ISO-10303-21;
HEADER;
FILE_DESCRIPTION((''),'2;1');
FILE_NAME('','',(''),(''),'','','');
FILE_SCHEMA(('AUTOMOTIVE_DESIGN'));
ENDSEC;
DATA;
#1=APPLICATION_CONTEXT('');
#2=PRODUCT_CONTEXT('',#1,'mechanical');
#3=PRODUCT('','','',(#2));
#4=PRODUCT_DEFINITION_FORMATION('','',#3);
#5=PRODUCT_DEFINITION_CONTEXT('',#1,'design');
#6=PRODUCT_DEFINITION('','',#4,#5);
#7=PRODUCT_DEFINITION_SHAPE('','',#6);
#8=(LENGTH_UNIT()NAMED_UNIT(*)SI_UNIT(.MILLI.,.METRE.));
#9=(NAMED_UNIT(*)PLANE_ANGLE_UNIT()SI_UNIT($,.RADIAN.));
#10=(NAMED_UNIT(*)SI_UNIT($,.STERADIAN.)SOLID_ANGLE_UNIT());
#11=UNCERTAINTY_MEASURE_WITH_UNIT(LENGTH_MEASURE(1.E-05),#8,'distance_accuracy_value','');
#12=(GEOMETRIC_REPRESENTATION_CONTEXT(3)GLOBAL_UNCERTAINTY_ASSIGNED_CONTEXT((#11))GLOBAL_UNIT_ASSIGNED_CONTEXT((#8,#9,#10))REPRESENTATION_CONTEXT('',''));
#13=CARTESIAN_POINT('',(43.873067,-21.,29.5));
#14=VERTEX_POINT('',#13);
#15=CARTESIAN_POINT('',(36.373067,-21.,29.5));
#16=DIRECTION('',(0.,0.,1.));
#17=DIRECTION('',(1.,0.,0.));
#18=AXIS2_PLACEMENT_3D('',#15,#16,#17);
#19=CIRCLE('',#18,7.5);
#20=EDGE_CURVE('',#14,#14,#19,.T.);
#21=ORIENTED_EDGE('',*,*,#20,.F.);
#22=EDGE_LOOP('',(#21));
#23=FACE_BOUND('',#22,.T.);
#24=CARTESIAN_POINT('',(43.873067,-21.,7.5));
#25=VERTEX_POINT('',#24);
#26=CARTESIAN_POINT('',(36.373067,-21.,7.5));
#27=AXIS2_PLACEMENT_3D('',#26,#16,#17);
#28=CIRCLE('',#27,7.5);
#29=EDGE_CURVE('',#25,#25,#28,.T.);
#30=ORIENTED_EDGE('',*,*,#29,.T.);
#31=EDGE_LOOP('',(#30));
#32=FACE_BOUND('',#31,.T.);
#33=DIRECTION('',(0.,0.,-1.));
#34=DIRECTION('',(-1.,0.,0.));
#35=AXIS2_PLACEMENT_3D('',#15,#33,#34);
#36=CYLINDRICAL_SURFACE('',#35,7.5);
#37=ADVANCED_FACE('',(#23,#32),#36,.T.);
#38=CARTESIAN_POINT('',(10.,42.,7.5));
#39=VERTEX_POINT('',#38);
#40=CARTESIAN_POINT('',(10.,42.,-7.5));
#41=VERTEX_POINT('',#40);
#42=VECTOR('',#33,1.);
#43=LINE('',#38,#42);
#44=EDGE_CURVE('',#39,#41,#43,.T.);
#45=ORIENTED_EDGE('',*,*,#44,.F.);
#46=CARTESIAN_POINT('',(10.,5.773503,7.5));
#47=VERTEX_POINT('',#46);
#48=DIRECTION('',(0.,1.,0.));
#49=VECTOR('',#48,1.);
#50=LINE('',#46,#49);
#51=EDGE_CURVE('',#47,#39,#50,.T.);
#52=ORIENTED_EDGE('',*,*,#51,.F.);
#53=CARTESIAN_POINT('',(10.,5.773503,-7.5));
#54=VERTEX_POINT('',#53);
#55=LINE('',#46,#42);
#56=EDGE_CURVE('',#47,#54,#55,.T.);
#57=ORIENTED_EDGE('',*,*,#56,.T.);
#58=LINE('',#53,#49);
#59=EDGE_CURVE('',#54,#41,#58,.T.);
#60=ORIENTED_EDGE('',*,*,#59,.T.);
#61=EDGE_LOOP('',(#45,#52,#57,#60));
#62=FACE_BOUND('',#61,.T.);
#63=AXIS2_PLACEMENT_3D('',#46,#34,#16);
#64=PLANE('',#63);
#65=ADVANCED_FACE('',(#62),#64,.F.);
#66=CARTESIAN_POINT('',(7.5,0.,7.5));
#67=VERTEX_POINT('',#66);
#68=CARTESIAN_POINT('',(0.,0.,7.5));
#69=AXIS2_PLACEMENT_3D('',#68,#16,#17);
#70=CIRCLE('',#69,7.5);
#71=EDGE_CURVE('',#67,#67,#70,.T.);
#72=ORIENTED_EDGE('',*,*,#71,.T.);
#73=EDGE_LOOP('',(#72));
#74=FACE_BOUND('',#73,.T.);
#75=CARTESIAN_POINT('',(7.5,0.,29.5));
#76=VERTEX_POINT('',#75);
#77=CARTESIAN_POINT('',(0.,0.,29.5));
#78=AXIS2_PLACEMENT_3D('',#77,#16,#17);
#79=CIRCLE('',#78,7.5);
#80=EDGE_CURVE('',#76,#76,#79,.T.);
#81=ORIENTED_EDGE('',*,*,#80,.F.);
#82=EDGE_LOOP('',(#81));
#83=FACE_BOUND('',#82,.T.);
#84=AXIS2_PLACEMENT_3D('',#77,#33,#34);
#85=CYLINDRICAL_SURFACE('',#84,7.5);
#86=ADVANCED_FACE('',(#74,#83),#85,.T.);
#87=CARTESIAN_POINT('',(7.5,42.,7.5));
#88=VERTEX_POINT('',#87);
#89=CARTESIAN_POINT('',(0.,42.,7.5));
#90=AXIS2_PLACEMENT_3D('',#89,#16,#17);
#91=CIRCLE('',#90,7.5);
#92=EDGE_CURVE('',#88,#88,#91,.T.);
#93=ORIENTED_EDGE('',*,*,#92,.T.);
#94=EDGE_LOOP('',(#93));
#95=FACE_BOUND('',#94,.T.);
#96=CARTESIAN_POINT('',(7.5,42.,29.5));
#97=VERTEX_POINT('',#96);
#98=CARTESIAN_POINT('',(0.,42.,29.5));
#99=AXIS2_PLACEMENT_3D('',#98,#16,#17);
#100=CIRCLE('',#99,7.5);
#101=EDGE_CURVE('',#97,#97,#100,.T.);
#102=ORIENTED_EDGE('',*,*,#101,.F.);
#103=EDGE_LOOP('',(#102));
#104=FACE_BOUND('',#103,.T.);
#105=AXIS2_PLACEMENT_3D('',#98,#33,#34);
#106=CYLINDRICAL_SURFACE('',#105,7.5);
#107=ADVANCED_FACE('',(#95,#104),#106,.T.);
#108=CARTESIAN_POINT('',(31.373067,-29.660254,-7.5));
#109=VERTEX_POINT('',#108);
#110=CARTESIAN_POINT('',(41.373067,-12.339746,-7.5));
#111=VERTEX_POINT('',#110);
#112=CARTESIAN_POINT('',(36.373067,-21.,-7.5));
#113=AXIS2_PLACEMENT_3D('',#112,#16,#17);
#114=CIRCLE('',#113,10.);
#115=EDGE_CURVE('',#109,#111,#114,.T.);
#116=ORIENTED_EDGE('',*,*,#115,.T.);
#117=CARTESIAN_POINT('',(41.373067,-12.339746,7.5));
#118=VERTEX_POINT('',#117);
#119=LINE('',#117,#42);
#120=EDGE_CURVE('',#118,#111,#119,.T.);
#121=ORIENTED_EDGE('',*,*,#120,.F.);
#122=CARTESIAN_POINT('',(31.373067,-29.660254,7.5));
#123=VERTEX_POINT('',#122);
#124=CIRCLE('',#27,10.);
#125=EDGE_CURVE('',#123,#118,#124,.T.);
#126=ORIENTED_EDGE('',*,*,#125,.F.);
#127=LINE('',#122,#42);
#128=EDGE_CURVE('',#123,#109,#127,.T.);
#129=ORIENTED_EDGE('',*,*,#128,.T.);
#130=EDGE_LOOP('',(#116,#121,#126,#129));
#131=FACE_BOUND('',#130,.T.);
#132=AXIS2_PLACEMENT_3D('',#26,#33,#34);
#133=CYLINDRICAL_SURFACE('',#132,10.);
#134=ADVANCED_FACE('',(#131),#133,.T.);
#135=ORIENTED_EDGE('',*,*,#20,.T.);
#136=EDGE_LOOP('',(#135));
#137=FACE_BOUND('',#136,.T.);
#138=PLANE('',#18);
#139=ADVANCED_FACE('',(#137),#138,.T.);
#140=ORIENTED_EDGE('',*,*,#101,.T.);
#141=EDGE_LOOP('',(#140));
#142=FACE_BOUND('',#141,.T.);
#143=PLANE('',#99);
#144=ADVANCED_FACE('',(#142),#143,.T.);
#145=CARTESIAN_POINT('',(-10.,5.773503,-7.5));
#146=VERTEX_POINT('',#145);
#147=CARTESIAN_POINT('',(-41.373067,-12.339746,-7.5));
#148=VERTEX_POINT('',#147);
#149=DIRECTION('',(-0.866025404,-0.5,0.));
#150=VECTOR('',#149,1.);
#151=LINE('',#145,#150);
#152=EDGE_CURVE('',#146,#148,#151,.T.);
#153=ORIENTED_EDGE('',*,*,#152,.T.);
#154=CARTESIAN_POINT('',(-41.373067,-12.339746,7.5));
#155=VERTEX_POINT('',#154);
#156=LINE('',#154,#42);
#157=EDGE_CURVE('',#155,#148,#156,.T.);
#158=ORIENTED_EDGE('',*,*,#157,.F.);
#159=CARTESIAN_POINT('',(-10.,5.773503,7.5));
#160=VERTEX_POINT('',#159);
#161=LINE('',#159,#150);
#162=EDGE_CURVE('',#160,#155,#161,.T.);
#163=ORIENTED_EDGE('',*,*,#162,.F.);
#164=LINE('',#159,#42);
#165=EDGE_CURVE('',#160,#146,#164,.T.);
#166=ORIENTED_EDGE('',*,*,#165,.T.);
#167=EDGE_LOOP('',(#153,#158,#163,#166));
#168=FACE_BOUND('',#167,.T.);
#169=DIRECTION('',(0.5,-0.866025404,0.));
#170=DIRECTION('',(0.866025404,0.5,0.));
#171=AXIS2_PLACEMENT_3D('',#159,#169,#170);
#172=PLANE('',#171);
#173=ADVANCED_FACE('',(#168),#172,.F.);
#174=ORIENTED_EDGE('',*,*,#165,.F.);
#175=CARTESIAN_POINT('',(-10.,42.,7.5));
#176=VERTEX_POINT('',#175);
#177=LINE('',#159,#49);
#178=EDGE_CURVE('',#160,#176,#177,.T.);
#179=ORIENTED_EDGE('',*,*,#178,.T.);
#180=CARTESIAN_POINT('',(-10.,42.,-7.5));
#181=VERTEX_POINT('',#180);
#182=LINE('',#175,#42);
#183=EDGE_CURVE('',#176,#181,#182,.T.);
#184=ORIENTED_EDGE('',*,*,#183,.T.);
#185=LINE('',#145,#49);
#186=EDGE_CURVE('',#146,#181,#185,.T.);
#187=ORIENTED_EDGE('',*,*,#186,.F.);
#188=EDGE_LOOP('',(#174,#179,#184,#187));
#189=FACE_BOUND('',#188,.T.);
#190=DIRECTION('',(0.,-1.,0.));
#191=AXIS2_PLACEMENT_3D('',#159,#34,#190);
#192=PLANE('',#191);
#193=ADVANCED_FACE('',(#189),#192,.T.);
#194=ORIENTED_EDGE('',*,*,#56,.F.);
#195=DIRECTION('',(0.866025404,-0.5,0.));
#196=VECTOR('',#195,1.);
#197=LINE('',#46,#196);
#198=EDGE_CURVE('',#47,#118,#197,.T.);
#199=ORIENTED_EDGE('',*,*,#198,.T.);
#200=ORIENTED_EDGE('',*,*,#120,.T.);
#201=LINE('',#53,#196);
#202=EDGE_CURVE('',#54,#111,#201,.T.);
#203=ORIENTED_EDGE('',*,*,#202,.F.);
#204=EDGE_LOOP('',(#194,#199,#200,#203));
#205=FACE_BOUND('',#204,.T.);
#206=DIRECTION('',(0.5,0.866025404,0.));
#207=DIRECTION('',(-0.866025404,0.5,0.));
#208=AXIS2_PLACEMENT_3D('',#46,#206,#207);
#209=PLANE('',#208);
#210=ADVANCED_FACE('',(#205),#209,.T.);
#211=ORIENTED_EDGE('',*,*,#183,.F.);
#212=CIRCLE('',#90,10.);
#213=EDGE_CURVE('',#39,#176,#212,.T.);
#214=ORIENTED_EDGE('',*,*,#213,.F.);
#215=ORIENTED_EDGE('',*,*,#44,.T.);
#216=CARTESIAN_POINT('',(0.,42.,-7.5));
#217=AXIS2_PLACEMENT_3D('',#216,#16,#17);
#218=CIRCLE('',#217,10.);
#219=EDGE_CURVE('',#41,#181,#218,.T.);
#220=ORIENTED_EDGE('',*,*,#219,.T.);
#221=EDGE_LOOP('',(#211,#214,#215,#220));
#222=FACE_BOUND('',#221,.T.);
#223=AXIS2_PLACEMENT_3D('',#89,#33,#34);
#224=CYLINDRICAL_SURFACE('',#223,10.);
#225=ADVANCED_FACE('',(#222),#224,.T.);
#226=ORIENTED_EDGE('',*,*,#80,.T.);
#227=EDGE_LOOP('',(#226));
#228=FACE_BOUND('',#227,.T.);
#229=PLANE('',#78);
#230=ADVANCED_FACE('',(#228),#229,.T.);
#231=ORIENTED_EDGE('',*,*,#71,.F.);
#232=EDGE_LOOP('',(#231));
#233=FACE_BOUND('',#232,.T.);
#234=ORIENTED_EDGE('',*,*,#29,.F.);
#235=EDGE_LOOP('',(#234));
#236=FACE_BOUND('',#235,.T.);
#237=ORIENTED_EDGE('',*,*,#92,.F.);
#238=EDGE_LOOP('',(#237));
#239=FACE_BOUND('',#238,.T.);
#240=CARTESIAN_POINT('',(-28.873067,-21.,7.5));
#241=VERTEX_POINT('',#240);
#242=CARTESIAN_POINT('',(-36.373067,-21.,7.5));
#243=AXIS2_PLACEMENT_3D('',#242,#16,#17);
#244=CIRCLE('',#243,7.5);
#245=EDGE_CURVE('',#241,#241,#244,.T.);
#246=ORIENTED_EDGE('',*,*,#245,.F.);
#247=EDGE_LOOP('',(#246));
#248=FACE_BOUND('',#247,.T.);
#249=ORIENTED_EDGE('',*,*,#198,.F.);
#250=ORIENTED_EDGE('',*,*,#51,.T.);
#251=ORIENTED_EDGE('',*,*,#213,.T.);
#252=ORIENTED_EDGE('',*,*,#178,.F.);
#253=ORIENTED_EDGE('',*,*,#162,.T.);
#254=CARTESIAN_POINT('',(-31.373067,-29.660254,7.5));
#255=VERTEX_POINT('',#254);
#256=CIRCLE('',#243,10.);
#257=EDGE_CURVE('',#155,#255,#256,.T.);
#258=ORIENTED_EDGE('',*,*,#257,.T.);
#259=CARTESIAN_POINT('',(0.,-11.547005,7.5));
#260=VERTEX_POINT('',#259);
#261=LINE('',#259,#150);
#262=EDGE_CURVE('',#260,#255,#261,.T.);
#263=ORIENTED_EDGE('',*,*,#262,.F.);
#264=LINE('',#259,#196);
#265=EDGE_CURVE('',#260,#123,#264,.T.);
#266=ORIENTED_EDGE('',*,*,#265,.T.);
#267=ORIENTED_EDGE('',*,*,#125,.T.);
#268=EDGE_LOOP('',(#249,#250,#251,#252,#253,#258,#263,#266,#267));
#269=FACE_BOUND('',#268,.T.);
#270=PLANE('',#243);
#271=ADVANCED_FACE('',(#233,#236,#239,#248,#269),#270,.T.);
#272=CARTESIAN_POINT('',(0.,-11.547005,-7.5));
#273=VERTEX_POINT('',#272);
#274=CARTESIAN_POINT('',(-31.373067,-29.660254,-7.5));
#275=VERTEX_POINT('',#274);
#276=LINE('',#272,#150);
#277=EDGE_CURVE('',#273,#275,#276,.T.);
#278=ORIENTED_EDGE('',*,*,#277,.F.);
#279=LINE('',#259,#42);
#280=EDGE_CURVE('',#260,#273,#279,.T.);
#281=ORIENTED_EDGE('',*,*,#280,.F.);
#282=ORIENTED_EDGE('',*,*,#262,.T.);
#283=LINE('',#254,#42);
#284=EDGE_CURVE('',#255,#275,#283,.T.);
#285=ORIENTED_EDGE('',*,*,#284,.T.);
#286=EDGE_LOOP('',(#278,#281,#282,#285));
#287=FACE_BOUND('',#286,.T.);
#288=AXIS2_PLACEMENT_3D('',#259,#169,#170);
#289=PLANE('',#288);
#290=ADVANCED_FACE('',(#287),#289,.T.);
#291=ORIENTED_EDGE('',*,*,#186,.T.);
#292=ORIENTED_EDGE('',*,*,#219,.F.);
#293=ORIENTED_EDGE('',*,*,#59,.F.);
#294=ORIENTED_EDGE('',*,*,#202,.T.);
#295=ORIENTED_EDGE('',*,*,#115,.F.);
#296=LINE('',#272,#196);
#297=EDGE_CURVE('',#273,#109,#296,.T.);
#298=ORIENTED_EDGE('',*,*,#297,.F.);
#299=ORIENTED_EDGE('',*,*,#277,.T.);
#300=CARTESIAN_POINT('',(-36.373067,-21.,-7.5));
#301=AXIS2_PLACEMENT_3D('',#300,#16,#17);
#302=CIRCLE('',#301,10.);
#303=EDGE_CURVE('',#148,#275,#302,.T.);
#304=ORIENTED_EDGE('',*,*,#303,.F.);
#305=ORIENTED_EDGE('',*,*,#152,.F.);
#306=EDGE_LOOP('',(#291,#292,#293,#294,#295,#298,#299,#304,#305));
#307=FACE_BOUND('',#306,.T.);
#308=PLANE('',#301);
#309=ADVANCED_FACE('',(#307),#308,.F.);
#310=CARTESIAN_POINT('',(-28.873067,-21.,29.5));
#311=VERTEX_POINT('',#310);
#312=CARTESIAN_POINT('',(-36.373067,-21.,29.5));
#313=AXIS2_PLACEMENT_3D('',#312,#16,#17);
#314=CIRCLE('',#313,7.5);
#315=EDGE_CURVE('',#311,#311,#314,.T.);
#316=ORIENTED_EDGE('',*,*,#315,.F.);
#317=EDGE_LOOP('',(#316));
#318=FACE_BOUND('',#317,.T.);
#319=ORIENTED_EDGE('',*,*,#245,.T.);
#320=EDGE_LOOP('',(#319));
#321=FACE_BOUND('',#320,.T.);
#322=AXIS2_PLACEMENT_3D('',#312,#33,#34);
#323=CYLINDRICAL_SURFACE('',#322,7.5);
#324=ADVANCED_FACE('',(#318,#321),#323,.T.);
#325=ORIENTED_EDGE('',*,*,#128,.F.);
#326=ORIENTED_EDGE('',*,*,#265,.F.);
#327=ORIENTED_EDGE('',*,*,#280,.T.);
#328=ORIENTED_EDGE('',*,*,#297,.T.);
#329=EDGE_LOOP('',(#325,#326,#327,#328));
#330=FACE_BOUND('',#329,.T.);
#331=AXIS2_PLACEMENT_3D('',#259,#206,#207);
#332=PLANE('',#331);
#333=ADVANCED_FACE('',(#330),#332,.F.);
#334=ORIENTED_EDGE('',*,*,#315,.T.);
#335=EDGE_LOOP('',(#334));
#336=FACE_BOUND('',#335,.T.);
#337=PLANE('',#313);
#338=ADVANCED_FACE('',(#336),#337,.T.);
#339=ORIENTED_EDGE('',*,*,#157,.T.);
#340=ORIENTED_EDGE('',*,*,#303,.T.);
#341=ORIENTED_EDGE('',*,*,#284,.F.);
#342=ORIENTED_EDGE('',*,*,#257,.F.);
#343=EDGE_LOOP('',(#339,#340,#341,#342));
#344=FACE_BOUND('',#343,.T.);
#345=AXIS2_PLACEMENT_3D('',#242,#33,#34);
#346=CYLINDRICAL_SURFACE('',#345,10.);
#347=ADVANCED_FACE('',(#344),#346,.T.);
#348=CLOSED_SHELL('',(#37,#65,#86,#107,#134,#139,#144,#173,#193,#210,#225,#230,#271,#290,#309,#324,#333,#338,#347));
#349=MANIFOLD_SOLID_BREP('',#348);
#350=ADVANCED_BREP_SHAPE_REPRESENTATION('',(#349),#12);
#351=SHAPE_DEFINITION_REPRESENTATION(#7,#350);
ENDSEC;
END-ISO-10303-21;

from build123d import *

# Parameters (mm, degrees)
CARRIER_BASE_DEPTH  = 7.5
SKETCH3_R           = 7.5
PLANET_SHAFTS_DEPTH = 22
SKETCH4_R           = 7.5
SUN_SHAFT_DEPTH     = 22


with BuildPart() as part:
    # Sketch1 → Carrier Base (new, symmetric)
    with BuildSketch(Plane.XY):
        with BuildLine():
            Line((0, -11.547005384), (-31.373066961, -29.660254039))
            ThreePointArc((-31.373066961, -29.660254039), (-45.033320997, -26), (-41.373066961, -12.339745963))
            Line((-41.373066961, -12.339745963), (-10, 5.773502692))
            Line((-10, 5.773502692), (-10, 42.000000002))
            ThreePointArc((-10, 42.000000002), (0, 52), (10, 42.000000002))
            Line((10, 42.000000002), (10, 5.773502692))
            Line((10, 5.773502692), (41.373066961, -12.339745963))
            ThreePointArc((41.373066961, -12.339745963), (45.033320997, -26), (31.373066961, -29.660254039))
            Line((31.373066961, -29.660254039), (0, -11.547005384))
        make_face()
    extrude(amount=CARRIER_BASE_DEPTH, both=True)

    # Sketch3 → Planet Shafts (add)
    with BuildSketch(Plane.XY.offset(7.5)):
        with Locations((0, 42)):
            Circle(SKETCH3_R)
        with Locations((36.373066959, -21)):
            Circle(SKETCH3_R)
        with Locations((-36.373066959, -21)):
            Circle(SKETCH3_R)
    extrude(amount=PLANET_SHAFTS_DEPTH)

    # Sketch4 → Sun Shaft (add)
    with BuildSketch(Plane.XY.offset(7.5)):
        Circle(SKETCH4_R)
    extrude(amount=SUN_SHAFT_DEPTH)


solid = part.part
